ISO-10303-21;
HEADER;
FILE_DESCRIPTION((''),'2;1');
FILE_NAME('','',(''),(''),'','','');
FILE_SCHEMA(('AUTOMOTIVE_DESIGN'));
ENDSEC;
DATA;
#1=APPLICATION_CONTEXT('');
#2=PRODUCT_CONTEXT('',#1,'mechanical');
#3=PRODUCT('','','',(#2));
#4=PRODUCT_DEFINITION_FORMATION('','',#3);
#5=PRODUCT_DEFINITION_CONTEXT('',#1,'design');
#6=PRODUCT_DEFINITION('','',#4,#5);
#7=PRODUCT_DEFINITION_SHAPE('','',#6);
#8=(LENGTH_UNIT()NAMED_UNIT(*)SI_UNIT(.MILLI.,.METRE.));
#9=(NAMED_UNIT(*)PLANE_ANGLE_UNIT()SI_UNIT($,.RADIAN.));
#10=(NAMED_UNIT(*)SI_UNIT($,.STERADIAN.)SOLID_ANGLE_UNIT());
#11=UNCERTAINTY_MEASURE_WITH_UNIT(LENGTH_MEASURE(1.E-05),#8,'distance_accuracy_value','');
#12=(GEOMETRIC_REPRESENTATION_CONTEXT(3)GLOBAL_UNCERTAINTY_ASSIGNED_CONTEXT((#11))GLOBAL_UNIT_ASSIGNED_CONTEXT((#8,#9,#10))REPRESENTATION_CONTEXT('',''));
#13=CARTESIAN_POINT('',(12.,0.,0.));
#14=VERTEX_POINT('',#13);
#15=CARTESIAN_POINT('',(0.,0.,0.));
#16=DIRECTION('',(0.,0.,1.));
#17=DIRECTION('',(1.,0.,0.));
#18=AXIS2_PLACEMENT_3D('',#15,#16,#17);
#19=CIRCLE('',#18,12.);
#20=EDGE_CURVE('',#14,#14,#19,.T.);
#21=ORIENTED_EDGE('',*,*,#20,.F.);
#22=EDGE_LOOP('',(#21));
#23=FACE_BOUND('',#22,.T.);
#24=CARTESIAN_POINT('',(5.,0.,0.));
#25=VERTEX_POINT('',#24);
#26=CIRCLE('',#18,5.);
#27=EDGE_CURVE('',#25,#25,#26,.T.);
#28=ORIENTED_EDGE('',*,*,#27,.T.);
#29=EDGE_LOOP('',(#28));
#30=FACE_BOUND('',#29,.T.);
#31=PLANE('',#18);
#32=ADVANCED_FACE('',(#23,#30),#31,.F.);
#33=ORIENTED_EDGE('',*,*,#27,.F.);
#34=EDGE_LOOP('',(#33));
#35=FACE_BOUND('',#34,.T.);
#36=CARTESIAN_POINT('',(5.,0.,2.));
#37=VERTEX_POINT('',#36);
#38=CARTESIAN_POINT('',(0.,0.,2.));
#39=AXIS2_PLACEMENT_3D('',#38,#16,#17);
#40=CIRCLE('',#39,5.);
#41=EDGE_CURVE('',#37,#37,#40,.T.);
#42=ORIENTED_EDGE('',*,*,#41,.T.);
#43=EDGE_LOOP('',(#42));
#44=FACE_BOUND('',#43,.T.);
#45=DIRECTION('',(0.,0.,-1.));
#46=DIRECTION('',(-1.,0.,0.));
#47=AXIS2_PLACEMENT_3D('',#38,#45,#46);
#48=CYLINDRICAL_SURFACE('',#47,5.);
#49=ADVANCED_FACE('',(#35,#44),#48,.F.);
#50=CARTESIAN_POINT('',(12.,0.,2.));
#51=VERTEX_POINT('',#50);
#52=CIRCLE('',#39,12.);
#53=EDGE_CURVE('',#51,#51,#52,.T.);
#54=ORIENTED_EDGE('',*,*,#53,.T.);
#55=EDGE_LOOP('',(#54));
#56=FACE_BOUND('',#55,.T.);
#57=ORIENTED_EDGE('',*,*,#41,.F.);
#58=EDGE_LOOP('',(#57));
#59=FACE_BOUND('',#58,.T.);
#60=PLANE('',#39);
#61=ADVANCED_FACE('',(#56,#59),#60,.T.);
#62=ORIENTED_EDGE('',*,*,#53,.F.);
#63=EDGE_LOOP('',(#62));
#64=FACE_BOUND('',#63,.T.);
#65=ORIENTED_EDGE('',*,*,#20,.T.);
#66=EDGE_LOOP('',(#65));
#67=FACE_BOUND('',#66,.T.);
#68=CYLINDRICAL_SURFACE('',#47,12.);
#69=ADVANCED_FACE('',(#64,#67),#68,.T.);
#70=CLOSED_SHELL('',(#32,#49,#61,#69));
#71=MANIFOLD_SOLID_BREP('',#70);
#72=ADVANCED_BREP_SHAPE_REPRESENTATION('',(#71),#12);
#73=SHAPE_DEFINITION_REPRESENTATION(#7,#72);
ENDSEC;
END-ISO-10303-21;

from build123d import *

# Parameters (mm, degrees)
SKETCH_1_R      = 12
SKETCH_1_R_2    = 5
EXTRUDE_1_DEPTH = 2


with BuildPart() as part:
    # Эскиз1 → Вытянуть1 (new body)
    with BuildSketch(Plane.XY):
        Circle(SKETCH_1_R)
        Circle(SKETCH_1_R_2, mode=Mode.SUBTRACT)
    extrude(amount=EXTRUDE_1_DEPTH)


solid = part.part
